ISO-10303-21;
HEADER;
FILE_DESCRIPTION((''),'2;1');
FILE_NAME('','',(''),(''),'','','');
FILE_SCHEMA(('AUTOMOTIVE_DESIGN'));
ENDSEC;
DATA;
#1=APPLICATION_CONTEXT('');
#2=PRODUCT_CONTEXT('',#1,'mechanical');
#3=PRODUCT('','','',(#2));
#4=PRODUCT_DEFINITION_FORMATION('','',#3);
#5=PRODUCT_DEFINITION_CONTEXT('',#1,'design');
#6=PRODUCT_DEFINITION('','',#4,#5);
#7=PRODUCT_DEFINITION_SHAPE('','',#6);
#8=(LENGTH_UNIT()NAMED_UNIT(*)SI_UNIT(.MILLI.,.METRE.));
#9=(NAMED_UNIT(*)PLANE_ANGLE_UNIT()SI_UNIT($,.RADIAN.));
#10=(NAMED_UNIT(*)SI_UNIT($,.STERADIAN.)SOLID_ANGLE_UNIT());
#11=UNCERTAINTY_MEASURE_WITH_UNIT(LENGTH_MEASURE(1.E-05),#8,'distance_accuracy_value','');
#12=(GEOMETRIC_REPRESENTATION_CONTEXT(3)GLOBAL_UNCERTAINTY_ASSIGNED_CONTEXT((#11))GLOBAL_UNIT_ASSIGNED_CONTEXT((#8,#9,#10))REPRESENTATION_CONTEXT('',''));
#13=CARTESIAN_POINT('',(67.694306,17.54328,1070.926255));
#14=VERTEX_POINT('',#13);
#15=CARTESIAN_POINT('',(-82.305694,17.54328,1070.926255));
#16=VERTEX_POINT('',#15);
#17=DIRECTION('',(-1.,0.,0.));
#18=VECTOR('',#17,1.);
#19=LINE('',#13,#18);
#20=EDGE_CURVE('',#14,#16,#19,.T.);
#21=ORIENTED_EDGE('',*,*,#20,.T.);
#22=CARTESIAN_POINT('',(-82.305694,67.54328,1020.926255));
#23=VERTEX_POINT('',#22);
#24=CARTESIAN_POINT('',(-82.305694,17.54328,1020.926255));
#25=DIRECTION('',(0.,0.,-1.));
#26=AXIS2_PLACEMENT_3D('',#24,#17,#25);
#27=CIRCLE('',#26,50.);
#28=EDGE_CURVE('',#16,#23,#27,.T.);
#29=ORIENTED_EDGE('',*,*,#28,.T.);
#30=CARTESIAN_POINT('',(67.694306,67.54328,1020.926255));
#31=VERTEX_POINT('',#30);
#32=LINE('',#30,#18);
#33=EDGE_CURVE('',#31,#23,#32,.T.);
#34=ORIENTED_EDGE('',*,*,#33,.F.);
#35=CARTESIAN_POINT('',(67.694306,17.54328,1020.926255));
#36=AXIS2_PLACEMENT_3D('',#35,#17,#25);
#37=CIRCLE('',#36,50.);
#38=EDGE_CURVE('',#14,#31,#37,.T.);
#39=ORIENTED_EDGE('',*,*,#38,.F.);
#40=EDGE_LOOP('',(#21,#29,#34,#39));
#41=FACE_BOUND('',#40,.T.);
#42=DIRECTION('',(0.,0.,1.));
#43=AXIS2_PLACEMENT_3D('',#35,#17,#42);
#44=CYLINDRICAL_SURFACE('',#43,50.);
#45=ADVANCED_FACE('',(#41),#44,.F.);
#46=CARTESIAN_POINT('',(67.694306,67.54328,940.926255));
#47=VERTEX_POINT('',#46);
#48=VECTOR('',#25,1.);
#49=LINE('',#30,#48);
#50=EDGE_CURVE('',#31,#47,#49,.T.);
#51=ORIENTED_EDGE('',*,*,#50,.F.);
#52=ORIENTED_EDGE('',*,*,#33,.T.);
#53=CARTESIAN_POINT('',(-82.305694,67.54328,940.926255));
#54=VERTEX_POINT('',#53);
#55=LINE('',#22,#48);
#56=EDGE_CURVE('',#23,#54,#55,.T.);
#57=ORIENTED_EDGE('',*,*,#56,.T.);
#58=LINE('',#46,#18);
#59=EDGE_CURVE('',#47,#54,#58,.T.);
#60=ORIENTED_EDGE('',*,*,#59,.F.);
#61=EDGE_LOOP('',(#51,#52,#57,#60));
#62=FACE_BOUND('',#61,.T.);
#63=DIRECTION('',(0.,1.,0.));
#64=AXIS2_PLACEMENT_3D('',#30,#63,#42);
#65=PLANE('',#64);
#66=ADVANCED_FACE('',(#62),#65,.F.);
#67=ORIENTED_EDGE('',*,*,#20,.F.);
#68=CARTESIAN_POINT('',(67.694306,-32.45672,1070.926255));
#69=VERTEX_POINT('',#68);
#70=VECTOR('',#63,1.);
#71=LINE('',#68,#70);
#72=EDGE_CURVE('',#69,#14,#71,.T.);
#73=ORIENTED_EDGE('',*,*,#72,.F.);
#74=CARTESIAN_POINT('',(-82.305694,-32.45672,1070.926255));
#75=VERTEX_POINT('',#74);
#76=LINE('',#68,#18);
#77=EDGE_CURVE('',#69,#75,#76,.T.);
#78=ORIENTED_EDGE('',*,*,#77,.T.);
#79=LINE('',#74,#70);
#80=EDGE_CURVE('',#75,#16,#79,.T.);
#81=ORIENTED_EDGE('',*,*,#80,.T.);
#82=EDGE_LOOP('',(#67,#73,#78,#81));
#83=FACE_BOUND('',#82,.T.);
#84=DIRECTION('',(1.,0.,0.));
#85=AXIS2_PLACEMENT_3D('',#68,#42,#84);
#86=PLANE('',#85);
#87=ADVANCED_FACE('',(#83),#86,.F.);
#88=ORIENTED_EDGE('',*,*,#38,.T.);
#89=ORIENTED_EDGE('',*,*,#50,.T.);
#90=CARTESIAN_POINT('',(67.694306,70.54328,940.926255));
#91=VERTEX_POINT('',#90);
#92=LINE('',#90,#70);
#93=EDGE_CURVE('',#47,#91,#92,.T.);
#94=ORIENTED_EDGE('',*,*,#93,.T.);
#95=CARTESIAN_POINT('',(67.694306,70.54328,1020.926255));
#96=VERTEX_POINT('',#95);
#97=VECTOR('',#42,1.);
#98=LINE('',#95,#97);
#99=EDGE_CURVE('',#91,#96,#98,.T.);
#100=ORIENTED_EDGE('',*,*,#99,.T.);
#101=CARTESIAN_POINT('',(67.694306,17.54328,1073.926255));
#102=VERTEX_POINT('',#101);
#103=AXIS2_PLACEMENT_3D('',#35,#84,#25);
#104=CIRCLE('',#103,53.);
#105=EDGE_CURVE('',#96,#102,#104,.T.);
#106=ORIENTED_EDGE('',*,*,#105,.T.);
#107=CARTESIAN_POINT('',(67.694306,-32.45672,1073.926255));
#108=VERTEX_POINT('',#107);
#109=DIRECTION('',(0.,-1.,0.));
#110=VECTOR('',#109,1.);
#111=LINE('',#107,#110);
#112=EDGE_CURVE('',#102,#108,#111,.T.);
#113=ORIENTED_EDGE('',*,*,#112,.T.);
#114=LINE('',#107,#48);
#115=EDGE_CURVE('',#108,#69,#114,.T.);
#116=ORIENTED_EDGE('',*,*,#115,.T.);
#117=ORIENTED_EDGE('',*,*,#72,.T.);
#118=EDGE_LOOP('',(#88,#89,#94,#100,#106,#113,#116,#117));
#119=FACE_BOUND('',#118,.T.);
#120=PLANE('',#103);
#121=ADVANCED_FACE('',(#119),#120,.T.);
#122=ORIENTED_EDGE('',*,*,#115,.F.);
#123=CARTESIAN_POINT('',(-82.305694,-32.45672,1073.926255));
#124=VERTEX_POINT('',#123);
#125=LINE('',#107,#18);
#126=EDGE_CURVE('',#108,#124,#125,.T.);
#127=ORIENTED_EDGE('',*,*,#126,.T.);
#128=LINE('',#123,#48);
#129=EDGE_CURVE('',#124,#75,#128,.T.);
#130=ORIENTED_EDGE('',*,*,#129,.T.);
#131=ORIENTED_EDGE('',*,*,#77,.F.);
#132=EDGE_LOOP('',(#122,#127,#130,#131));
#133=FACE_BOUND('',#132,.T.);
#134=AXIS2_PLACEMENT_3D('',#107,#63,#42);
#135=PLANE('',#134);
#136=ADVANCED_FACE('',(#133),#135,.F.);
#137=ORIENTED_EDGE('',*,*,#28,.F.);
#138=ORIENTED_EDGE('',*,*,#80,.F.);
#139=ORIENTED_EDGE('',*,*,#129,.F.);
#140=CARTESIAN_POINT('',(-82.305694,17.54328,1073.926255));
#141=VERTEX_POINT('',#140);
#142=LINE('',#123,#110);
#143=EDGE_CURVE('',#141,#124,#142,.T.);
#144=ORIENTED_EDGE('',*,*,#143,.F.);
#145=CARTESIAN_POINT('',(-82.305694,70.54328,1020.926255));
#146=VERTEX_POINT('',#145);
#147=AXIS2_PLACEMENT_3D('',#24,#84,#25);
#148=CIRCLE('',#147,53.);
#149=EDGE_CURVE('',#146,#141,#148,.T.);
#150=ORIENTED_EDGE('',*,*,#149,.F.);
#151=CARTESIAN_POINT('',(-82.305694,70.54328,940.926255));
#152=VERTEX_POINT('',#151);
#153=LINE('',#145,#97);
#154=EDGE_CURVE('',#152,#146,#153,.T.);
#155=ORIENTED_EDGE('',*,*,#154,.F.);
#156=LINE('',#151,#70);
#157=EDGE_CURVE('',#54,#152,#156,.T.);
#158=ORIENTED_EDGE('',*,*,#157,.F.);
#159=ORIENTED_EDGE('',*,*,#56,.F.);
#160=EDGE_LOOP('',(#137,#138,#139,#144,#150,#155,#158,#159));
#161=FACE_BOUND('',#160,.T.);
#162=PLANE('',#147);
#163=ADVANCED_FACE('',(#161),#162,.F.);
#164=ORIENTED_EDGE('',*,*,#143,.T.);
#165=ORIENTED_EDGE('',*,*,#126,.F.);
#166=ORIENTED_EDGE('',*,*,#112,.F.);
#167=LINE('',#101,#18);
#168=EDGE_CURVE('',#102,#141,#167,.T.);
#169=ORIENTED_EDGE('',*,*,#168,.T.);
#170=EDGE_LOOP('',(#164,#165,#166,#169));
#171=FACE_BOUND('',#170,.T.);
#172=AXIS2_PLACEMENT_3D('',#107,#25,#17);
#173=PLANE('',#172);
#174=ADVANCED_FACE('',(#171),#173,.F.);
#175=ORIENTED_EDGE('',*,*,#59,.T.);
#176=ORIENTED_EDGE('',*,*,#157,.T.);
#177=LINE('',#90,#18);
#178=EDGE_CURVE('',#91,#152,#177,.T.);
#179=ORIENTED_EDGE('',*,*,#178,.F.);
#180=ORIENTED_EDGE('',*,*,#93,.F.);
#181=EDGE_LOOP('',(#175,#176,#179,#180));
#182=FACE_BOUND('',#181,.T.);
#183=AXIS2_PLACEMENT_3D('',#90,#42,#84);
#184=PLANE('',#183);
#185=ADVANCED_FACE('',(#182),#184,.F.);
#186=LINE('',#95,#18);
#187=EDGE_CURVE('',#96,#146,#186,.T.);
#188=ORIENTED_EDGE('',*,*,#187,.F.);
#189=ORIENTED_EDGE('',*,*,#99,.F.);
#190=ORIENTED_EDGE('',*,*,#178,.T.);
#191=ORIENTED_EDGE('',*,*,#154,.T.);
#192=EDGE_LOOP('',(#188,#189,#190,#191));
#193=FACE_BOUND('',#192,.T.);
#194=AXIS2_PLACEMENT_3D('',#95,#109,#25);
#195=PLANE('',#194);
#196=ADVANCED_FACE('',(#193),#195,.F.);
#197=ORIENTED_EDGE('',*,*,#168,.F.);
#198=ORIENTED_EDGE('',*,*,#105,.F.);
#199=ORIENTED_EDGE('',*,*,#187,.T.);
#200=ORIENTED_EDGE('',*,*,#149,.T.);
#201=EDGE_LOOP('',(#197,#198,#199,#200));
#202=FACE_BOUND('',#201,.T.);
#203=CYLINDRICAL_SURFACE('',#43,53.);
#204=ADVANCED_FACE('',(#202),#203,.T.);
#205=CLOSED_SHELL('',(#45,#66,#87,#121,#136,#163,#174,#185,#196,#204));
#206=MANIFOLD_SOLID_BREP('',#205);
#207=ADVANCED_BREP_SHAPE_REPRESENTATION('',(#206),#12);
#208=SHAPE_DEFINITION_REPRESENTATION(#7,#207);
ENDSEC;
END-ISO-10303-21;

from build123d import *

# Parameters (mm, degrees)
SALIENTE_EXTRUIR1_DEPTH = 75


with BuildPart() as part:
    # Croquis1 → Saliente-Extruir1 (new, symmetric)
    with BuildSketch(Plane(origin=(-7.305693887, -32.456719669, 940.926254751), x_dir=(0, 0, -1), z_dir=(1, 0, 0))):
        with BuildLine():
            Line((-80, 100), (0, 100))
            Line((0, 100), (0, 103))
            Line((0, 103), (-80, 103))
            ThreePointArc((-80, 103), (-117.476659403, 87.476659403), (-133, 50))
            Line((-133, 50), (-133, 0))
            Line((-133, 0), (-130, 0))
            Line((-130, 0), (-130, 50))
            ThreePointArc((-130, 50), (-115.355339059, 85.355339059), (-80, 100))
        make_face()
    extrude(amount=SALIENTE_EXTRUIR1_DEPTH, both=True)


solid = part.part
